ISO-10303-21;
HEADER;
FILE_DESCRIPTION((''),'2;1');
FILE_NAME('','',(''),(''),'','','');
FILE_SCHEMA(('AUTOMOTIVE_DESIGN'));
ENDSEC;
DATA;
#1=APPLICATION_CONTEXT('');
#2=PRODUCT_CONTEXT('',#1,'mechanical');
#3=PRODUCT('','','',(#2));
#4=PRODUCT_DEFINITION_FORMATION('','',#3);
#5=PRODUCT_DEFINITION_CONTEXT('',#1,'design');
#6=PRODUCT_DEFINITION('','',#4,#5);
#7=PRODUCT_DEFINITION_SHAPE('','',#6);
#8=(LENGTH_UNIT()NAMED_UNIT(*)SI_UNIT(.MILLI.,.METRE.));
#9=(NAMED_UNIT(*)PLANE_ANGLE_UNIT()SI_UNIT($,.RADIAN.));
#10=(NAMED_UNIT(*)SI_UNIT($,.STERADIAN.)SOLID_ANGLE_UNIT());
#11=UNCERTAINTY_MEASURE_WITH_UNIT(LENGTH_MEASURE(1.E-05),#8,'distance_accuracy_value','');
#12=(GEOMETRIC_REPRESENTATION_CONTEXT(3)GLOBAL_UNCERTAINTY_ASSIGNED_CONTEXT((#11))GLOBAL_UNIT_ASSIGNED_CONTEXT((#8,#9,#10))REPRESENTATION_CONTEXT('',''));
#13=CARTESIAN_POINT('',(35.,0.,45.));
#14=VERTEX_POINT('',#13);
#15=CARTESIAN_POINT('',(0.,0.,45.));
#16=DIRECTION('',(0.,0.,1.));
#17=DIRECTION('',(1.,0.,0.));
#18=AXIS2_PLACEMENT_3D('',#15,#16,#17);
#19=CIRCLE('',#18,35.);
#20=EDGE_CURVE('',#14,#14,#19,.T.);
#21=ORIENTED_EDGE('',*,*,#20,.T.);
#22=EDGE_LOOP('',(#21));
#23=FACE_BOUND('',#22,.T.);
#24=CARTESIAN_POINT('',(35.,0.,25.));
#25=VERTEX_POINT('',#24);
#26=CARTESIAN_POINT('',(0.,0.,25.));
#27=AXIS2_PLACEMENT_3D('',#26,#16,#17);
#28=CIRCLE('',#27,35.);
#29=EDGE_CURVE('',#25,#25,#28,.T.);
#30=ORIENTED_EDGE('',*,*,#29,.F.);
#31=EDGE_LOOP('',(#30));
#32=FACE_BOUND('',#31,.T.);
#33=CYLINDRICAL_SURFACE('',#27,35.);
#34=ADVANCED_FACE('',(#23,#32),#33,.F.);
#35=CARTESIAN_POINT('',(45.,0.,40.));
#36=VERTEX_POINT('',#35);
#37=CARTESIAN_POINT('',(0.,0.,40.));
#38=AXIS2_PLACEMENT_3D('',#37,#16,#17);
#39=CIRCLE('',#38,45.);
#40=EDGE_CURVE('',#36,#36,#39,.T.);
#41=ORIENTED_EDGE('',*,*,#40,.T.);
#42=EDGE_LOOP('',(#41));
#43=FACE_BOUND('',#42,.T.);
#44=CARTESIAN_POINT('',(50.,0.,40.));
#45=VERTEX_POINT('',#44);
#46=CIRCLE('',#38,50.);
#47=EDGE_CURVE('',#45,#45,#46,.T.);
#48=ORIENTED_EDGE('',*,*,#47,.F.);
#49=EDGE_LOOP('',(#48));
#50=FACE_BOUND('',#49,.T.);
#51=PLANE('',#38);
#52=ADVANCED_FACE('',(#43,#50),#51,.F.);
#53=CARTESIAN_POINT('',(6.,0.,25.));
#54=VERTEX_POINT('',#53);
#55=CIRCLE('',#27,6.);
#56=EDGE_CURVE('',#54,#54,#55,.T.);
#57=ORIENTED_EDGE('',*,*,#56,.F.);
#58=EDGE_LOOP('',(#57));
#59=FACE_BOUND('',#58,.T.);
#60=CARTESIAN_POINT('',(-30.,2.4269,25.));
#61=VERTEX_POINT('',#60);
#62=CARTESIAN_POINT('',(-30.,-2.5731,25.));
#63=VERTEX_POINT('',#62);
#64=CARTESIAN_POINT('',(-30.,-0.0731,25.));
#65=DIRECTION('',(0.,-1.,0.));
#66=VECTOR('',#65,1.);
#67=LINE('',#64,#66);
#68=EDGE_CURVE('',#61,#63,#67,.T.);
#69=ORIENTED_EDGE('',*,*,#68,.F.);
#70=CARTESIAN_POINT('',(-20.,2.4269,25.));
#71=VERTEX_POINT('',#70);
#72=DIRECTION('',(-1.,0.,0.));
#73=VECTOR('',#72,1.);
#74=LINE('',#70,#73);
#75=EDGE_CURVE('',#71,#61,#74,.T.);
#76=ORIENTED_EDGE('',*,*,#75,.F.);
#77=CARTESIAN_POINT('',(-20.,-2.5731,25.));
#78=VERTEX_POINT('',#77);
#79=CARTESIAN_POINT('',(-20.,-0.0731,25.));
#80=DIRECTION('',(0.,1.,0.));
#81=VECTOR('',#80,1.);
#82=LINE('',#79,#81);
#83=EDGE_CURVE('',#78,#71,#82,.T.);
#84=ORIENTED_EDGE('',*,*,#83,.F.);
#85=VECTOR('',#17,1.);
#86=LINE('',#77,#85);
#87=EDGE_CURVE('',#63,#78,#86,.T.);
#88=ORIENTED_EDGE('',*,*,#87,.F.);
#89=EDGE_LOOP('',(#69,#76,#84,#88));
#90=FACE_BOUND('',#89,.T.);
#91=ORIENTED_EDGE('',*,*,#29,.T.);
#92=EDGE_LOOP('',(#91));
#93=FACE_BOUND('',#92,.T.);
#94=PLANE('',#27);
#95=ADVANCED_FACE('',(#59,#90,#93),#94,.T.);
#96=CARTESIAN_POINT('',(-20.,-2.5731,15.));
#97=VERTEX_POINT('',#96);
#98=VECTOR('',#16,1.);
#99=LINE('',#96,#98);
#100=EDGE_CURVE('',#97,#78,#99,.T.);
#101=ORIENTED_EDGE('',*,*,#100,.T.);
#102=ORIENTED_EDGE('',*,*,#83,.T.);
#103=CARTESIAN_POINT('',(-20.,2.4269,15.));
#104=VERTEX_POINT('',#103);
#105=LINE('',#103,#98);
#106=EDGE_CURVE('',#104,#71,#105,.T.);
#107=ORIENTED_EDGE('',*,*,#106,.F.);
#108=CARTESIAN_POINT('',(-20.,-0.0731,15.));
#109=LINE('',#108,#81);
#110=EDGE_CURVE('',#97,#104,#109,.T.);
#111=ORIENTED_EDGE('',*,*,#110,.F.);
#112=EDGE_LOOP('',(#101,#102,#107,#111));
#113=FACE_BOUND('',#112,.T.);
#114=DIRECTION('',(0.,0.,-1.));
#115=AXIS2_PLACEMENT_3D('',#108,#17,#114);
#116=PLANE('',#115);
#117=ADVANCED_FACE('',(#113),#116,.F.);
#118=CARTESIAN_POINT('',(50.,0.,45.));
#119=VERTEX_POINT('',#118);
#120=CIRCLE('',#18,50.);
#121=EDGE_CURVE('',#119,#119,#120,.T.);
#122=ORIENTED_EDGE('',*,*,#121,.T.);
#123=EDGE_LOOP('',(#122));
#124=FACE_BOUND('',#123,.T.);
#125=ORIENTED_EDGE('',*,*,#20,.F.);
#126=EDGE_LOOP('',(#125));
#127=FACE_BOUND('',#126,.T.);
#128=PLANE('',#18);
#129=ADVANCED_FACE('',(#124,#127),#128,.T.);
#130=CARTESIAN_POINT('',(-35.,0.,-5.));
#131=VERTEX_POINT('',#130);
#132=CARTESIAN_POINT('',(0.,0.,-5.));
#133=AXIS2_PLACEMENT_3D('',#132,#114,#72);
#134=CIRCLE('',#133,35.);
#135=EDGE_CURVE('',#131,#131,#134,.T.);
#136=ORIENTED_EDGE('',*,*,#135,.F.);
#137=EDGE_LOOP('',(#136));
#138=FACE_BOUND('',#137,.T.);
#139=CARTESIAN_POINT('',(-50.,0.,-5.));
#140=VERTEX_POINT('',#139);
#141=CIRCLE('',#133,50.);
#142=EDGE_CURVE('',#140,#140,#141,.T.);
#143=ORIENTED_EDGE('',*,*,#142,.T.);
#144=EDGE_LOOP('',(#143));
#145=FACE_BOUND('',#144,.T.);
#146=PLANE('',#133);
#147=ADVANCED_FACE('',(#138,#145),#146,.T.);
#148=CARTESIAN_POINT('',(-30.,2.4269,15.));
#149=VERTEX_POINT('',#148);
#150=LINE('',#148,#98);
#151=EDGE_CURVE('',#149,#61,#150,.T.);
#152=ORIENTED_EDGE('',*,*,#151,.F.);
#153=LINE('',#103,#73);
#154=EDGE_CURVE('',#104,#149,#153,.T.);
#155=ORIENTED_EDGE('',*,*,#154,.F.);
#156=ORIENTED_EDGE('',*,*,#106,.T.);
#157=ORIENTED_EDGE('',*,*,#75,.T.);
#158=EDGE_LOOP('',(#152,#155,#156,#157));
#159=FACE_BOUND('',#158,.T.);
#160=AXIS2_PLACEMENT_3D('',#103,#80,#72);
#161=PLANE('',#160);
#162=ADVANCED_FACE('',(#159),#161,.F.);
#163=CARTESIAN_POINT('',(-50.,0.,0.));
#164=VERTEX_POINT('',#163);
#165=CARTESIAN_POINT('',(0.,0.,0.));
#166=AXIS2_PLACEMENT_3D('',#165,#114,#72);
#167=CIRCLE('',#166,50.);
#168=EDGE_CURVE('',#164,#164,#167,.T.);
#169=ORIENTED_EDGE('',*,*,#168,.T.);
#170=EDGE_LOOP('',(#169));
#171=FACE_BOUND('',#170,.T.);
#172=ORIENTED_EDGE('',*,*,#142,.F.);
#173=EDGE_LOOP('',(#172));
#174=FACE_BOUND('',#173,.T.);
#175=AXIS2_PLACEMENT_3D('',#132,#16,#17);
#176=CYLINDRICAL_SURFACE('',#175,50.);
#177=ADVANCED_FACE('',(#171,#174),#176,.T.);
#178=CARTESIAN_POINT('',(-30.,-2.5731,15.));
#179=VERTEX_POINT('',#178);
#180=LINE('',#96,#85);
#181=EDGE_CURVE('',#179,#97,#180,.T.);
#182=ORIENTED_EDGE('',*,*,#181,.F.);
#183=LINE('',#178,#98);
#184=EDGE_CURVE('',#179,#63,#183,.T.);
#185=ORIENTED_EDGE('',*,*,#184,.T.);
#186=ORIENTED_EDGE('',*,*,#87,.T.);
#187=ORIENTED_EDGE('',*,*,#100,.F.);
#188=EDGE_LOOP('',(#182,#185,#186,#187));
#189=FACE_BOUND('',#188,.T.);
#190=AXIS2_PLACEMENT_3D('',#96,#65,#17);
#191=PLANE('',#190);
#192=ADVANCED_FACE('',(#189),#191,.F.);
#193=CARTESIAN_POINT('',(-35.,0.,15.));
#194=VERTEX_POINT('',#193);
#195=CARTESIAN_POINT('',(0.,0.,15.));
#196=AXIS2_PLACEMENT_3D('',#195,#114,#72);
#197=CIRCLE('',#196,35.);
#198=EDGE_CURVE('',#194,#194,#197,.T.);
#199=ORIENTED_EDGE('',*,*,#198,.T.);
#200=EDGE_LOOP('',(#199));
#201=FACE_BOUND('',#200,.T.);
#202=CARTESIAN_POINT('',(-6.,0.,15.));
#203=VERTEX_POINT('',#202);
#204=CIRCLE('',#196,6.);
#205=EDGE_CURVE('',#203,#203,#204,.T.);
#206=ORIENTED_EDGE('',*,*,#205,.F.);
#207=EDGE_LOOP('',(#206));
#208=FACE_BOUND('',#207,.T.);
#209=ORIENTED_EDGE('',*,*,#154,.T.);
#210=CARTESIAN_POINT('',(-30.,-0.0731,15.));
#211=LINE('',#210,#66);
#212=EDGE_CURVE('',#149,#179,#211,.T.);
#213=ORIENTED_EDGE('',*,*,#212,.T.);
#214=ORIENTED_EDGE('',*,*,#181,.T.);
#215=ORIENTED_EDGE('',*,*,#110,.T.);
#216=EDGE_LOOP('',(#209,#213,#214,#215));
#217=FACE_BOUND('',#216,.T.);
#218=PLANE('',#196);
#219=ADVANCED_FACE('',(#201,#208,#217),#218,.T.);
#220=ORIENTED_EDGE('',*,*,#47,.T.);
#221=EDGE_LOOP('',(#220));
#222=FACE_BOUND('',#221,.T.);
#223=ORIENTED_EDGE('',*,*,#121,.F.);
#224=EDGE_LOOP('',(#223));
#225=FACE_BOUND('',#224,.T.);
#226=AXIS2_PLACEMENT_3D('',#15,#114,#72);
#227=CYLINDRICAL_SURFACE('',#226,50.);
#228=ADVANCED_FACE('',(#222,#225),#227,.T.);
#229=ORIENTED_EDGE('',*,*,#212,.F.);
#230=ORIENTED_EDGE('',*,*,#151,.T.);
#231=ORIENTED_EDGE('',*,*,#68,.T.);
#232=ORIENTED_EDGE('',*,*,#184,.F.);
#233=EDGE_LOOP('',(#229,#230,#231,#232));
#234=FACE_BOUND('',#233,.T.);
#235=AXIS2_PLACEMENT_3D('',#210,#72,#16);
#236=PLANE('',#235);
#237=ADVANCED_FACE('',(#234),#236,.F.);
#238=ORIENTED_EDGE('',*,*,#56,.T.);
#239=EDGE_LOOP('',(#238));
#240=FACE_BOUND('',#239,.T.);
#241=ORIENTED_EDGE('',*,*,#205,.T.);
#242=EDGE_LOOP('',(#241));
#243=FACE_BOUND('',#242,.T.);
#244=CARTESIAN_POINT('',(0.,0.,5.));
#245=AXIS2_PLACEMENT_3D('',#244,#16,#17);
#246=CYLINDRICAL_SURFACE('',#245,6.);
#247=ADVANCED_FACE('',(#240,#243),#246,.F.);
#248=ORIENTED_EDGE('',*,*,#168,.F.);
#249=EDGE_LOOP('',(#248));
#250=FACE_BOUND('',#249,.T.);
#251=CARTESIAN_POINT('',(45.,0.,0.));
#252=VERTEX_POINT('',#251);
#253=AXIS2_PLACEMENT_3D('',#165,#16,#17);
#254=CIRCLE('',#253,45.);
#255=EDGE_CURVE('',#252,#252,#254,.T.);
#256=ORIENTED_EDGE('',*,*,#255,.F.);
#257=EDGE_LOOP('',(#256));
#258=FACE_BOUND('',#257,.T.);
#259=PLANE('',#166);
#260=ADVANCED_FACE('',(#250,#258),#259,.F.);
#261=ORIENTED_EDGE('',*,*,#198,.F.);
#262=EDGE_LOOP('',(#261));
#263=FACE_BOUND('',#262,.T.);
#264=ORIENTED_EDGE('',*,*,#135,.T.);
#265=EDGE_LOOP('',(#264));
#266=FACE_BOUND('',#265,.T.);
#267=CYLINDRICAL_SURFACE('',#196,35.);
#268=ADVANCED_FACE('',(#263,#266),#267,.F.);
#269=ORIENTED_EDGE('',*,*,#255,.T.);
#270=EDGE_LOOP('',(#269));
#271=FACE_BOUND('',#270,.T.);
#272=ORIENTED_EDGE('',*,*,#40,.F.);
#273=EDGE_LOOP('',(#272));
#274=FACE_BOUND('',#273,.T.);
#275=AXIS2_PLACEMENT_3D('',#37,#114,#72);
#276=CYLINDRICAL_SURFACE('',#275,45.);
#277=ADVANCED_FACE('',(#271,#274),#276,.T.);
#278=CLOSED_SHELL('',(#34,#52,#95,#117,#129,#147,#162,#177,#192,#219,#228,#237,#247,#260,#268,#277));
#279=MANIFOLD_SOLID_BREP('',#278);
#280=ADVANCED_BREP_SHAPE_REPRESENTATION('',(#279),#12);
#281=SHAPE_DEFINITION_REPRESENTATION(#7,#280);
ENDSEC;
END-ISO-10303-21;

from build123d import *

# Parameters (mm, degrees)
SKETCH1_R           = 45
BOSS_EXTRUDE1_DEPTH = 40
SKETCH2_R           = 50
BOSS_EXTRUDE2_DEPTH = 5
BOSS_EXTRUDE3_START = 5
SKETCH3_R           = 50
BOSS_EXTRUDE3_DEPTH = 5
SKETCH4_R           = 35
CUT_EXTRUDE1_DEPTH  = 20
CUT_EXTRUDE2_START  = -20
SKETCH5_R           = 35
CUT_EXTRUDE2_DEPTH  = 20
SKETCH6_R           = 6
CUT_EXTRUDE3_DEPTH  = 20
CUT_EXTRUDE4_DEPTH  = 10


with BuildPart() as part:
    # Sketch1 → Boss-Extrude1 (new body)
    with BuildSketch(Plane.XY):
        Circle(SKETCH1_R)
    extrude(amount=BOSS_EXTRUDE1_DEPTH)

    # Sketch2 → Boss-Extrude2 (add)
    with BuildSketch(Plane.XY.offset(40)):
        Circle(SKETCH2_R)
    extrude(amount=BOSS_EXTRUDE2_DEPTH)

    # Sketch3 → Boss-Extrude3 (add)
    with BuildSketch(Plane(origin=(0, 0, 0), x_dir=(-1, 0, 0), z_dir=(0, 0, -1)).offset(BOSS_EXTRUDE3_START)):
        with Locations(Location((0, 0, 0), (0, 0, 180))):
            Circle(SKETCH3_R)
    extrude(amount=-BOSS_EXTRUDE3_DEPTH)

    # Sketch4 → Cut-Extrude1 (cut)
    with BuildSketch(Plane.XY.offset(45)):
        Circle(SKETCH4_R)
    extrude(amount=-CUT_EXTRUDE1_DEPTH, mode=Mode.SUBTRACT)

    # Sketch5 → Cut-Extrude2 (cut)
    with BuildSketch(Plane(origin=(0, 0, -5), x_dir=(-1, 0, 0), z_dir=(0, 0, -1)).offset(CUT_EXTRUDE2_START)):
        with Locations(Location((0, 0, 0), (0, 0, 180))):
            Circle(SKETCH5_R)
    extrude(amount=CUT_EXTRUDE2_DEPTH, mode=Mode.SUBTRACT)

    # Sketch6 → Cut-Extrude3 (cut)
    with BuildSketch(Plane.XY.offset(25)):
        Circle(SKETCH6_R)
    extrude(amount=-CUT_EXTRUDE3_DEPTH, mode=Mode.SUBTRACT)

    # Sketch7 → Cut-Extrude4 (cut)
    with BuildSketch(Plane.XY.offset(25)):
        Polygon((-20, -0.07309958), (-20, -2.57309958), (-30, -2.57309958), (-30, -0.07309958), (-30, 2.42690042), (-20, 2.42690042), align=None)
    extrude(amount=-CUT_EXTRUDE4_DEPTH, mode=Mode.SUBTRACT)


solid = part.part
